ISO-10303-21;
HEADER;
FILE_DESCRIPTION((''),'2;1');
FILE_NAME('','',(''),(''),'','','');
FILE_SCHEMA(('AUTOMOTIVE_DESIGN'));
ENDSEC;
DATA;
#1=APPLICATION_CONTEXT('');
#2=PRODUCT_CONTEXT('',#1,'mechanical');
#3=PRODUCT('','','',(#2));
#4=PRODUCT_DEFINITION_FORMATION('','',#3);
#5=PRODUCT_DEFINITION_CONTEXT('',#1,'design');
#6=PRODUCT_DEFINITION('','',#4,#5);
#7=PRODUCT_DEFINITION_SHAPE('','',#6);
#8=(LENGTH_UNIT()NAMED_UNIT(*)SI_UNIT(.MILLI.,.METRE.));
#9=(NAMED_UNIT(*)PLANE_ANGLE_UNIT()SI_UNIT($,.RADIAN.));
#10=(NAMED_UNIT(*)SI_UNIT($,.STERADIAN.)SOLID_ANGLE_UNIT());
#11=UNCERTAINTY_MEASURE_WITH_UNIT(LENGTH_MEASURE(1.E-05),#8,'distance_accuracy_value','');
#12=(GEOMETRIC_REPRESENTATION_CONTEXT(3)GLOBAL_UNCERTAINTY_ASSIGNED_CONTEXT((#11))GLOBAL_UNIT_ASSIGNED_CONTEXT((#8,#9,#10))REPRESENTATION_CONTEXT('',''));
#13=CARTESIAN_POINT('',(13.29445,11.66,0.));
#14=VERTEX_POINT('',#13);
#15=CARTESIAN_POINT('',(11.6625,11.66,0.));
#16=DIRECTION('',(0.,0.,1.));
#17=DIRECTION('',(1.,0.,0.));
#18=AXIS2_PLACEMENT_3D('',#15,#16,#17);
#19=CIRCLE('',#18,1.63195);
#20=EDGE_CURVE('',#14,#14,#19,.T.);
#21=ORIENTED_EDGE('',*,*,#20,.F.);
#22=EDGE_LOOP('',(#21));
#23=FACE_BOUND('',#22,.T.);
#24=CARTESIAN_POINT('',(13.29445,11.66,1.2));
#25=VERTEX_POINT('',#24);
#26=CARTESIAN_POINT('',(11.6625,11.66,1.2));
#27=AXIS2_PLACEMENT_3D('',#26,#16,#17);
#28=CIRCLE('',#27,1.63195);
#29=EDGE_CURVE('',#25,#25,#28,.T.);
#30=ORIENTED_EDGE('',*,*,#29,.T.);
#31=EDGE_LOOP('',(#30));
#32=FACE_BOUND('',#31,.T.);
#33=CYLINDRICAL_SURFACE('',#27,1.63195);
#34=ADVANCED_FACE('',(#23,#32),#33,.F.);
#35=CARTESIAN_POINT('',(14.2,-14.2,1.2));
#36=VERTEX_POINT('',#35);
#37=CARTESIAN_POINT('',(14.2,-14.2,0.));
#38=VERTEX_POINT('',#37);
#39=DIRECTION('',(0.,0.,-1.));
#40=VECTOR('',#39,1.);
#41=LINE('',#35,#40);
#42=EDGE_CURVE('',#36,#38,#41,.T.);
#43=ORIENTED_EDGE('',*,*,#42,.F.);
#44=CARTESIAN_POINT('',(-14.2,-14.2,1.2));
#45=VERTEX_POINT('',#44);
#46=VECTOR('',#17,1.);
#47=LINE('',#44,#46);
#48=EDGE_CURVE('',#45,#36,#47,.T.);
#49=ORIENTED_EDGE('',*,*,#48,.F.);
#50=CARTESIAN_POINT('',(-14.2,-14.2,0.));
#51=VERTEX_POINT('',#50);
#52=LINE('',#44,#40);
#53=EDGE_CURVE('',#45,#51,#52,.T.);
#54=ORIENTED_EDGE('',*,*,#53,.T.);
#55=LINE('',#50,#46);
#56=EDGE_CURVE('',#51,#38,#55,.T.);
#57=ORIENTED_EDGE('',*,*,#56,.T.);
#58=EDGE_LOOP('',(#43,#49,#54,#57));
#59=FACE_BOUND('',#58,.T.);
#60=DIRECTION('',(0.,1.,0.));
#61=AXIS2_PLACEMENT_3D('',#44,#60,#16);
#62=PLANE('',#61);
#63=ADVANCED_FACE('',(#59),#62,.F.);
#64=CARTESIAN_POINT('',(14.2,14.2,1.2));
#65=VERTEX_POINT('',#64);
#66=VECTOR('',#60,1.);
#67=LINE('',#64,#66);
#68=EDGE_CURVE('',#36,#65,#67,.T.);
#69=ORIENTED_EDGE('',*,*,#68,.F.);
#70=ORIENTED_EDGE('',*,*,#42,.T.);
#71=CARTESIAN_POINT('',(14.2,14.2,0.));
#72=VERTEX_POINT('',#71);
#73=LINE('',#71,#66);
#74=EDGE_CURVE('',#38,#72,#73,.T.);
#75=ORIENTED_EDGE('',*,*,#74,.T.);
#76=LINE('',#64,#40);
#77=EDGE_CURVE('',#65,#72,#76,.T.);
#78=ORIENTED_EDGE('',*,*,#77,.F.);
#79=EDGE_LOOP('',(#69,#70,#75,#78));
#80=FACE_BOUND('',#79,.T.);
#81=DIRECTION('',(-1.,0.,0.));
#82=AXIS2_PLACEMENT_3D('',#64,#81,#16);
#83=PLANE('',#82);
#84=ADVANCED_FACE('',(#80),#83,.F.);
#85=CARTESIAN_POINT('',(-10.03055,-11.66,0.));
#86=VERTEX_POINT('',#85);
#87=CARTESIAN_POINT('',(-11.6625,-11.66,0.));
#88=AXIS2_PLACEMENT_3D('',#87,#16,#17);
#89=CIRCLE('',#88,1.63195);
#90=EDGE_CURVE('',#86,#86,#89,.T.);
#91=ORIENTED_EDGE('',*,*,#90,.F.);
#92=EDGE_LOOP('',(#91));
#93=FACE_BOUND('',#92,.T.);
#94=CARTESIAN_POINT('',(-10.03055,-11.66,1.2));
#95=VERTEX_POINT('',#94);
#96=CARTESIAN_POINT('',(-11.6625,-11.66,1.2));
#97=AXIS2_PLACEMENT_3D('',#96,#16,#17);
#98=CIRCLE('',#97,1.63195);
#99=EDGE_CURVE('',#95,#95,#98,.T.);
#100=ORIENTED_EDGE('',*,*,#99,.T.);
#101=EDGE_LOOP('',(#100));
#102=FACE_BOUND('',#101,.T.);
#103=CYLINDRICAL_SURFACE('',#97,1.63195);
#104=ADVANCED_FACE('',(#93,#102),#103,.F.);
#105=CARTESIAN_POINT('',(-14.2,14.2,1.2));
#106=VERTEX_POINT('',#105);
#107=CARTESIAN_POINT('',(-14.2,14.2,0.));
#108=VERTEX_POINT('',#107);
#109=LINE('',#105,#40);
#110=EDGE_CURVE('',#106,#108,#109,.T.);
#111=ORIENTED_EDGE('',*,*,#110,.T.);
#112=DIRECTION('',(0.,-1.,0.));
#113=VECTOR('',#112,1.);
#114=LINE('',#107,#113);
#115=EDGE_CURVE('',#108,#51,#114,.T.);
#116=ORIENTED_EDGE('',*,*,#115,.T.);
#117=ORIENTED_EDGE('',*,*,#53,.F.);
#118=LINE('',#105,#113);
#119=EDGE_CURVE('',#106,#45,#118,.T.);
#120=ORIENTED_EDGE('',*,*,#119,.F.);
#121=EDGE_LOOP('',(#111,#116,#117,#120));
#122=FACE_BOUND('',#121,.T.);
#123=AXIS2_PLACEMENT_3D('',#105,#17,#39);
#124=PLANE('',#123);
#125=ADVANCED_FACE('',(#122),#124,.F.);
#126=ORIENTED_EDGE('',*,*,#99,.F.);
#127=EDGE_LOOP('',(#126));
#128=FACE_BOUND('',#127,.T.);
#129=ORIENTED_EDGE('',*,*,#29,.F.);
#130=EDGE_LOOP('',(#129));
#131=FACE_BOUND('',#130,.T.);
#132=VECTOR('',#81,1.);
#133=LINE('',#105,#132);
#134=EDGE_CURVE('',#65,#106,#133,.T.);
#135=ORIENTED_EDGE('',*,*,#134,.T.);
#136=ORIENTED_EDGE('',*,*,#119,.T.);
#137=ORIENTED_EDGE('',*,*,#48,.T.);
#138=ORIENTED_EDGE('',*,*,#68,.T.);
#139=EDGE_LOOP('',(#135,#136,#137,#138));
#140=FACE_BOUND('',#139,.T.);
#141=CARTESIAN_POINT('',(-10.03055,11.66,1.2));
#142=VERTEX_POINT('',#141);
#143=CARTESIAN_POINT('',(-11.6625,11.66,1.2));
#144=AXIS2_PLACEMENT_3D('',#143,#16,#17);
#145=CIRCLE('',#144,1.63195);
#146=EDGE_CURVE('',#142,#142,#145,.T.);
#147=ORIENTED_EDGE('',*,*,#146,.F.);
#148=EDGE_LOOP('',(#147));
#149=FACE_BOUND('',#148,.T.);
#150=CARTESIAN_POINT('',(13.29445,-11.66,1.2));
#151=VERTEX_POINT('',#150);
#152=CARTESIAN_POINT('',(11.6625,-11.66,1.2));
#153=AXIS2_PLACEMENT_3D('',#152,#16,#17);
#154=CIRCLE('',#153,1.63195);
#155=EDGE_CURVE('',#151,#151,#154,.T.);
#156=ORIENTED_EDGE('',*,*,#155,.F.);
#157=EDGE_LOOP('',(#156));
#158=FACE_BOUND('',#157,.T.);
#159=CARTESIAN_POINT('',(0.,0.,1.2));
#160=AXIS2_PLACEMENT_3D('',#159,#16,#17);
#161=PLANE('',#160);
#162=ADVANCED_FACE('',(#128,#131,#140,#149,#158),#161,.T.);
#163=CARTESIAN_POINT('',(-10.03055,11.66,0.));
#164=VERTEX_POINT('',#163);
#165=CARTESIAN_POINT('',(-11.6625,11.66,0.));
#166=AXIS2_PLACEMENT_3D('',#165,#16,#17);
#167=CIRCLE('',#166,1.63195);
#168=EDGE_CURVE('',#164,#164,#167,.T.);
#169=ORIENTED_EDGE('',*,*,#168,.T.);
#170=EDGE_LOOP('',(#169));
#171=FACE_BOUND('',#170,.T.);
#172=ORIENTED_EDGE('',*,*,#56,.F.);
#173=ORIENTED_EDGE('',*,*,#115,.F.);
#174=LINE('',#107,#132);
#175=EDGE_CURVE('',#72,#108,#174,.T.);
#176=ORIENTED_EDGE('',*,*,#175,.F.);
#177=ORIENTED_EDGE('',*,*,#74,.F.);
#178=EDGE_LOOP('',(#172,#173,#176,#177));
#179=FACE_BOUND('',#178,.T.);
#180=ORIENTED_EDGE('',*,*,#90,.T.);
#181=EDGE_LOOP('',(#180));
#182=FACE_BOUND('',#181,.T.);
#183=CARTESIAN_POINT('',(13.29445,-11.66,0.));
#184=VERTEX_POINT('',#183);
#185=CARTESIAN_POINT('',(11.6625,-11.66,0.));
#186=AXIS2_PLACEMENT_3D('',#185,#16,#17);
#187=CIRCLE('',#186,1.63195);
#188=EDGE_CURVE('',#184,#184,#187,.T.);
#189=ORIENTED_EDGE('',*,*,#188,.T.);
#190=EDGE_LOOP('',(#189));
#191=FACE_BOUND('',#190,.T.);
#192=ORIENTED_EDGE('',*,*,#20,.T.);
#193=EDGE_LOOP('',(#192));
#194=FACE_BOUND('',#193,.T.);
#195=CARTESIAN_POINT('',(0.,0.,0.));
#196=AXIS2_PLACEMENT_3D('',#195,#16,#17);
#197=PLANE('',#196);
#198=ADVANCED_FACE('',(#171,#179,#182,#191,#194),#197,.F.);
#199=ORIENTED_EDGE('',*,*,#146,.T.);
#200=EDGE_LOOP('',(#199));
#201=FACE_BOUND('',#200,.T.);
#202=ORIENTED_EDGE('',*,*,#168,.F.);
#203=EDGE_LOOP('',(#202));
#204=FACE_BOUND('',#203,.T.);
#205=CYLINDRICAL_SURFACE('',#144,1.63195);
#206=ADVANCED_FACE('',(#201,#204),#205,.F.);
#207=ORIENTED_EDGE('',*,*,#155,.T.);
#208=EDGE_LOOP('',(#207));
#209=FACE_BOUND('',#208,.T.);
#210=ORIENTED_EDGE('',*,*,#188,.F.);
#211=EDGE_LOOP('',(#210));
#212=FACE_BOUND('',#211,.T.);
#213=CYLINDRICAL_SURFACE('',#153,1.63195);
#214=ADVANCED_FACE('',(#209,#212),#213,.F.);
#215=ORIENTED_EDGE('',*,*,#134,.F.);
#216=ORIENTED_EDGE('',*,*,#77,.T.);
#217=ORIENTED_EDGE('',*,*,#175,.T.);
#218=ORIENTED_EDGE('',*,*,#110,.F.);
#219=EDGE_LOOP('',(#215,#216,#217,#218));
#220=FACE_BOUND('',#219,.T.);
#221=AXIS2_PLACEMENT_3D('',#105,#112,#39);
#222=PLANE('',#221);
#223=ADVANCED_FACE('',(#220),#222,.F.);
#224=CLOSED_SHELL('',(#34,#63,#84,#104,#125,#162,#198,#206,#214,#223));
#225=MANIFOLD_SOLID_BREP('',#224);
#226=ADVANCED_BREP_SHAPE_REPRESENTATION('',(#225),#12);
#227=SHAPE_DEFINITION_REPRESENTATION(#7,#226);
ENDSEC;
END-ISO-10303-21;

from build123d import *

# Parameters (mm, degrees)
SKETCH1_W             = 28.4
SKETCH1_H             = 28.4
BOSS_EXTRUDE1_DEPTH   = 1.2
F_4_CLEARANCE_HOLE1_D = 3.2639


with BuildPart() as part:
    # Sketch1 → Boss-Extrude1 (new body)
    with BuildSketch(Plane.XY):
        Rectangle(SKETCH1_W, SKETCH1_H)
    extrude(amount=BOSS_EXTRUDE1_DEPTH)

    # #4 Clearance Hole1 (through all)
    with Locations(Plane.XY.offset(1.2)):
        with Locations((-11.6625, 11.66), (11.6625, 11.66), (-11.6625, -11.66), (11.6625, -11.66)):
            Hole(F_4_CLEARANCE_HOLE1_D / 2)


solid = part.part
